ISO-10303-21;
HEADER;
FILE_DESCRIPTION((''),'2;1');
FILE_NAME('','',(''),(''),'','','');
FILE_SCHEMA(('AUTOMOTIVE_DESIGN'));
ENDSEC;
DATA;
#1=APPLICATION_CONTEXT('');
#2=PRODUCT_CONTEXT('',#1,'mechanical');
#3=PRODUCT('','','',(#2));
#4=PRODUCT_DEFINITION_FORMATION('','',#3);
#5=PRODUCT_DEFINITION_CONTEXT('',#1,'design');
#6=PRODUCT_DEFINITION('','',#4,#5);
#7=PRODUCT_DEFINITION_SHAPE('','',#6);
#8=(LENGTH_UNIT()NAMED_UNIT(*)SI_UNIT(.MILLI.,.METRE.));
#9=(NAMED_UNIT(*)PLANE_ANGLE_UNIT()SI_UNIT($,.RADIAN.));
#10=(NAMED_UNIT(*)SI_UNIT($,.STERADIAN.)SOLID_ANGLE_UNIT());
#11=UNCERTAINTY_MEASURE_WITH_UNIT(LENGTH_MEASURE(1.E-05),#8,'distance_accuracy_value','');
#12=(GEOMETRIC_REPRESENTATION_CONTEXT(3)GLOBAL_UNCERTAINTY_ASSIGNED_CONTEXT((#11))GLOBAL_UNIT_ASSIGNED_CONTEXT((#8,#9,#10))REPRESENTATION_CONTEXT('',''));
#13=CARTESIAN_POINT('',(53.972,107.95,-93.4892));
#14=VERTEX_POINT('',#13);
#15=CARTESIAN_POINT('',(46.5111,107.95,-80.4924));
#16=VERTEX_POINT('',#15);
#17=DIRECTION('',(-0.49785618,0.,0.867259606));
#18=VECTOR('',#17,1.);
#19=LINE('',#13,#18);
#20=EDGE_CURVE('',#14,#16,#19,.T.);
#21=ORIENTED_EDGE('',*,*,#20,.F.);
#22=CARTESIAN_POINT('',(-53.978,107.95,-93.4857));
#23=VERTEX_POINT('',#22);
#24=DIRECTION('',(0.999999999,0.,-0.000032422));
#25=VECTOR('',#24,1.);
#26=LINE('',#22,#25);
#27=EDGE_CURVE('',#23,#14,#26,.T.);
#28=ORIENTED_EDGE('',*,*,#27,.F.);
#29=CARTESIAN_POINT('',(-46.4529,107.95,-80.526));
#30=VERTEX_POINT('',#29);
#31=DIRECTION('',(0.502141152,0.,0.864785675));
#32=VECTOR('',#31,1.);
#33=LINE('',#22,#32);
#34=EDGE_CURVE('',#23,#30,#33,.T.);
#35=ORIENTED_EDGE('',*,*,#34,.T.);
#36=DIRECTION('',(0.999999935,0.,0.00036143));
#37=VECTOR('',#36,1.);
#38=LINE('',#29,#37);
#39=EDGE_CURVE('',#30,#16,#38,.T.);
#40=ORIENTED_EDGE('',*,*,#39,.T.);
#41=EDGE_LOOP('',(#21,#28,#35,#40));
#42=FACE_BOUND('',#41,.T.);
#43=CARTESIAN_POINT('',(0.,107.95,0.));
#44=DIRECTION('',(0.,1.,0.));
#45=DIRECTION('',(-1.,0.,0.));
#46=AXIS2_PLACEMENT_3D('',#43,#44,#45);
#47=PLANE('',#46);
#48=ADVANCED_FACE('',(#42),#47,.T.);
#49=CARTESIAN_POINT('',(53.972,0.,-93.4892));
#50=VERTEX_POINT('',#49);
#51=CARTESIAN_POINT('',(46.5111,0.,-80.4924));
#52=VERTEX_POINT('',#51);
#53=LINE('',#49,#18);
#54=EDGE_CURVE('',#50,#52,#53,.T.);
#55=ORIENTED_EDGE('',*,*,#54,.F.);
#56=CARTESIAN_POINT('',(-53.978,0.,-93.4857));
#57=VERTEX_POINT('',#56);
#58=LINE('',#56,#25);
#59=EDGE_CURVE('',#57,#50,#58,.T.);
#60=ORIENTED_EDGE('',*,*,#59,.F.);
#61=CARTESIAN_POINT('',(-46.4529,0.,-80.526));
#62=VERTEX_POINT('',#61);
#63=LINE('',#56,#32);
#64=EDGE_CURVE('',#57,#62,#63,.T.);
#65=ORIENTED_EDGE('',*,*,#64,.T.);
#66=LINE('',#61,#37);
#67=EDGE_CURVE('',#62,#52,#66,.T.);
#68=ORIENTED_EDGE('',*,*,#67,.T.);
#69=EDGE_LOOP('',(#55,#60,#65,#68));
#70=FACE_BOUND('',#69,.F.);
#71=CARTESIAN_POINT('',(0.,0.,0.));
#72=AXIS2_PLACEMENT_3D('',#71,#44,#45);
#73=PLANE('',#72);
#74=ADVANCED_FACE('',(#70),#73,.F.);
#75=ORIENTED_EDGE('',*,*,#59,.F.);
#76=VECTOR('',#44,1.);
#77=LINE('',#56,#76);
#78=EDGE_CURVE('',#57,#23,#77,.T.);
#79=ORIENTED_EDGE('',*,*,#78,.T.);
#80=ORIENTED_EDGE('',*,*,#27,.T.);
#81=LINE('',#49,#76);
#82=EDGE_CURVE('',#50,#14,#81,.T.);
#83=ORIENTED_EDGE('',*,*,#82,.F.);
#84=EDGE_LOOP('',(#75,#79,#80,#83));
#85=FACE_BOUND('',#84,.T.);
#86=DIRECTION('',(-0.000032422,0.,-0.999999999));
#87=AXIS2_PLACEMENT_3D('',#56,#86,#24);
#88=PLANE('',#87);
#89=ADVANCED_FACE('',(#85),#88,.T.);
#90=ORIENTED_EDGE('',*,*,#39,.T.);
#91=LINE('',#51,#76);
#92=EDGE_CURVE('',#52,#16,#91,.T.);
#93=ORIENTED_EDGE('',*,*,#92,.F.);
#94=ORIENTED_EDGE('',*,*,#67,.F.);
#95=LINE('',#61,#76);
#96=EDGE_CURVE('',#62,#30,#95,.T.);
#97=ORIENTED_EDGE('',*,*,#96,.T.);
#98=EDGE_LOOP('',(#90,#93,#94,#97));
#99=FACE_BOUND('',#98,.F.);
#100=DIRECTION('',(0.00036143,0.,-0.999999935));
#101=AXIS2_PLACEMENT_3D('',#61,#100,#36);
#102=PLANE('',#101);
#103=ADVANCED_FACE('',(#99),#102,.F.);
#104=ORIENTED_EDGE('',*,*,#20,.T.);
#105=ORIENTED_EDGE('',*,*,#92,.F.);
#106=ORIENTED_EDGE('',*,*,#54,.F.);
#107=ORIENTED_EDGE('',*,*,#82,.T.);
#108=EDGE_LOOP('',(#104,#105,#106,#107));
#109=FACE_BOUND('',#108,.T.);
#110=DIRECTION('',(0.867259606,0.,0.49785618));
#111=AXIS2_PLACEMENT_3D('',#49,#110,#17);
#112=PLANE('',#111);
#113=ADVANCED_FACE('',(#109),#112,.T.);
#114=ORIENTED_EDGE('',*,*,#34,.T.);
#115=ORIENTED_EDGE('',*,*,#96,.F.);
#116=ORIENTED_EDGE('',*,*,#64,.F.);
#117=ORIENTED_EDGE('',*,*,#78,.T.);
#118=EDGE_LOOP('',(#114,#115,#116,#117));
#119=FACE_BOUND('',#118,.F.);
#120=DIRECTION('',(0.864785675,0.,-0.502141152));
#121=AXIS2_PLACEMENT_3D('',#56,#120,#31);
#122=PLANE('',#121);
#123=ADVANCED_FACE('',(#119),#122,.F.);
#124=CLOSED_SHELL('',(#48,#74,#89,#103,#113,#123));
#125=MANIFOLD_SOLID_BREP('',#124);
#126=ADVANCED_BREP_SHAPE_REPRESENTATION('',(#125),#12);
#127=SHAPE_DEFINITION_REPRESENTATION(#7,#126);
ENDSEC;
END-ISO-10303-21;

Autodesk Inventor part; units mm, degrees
ref_plane "YZ Plane" through (0, 0, 0) normal (1, 0, 0) x (0, 1, 0)
ref_plane "XZ Plane" through (0, 0, 0) normal (0, 1, 0) x (-1, 0, 0)
ref_plane "XY Plane" through (0, 0, 0) normal (0, 0, 1) x (1, 0, 0)
sketch "Sketch1" plane through (0, 0, 0) normal (0, 1, 0) x (-1, 0, 0)
  line L0 (-107.95, -0.0035) -> (-53.978, 93.4857)
  line L1 (-53.978, 93.4857) -> (53.972, 93.4892)
  line L2 (53.972, 93.4892) -> (107.95, 0.0035)
  line L3 (107.95, 0.0035) -> (53.978, -93.4857)
  line L4 (53.978, -93.4857) -> (-53.972, -93.4892)
  line L5 (-53.972, -93.4892) -> (-107.95, -0.0035)
  line L6 (-92.964, 0.0336) -> (-46.4529, 80.526)
  line L7 (-46.4529, 80.526) -> (46.5111, 80.4924)
  line L8 (46.5111, 80.4924) -> (92.964, -0.0336)
  line L9 (92.964, -0.0336) -> (46.4529, -80.526)
  line L10 (46.4529, -80.526) -> (-46.5111, -80.4924)
  line L11 (-46.5111, -80.4924) -> (-92.964, 0.0336)
  line L12 (53.978, -93.4857) -> (46.4529, -80.526)
  line L13 (-53.972, -93.4892) -> (-46.5111, -80.4924)
  point P0 (0, 0)
  point P1 (0, 0)
  point P2 (0, 0)
  point P3 (0, 0)
  dimension "d0" = 215.9
  dimension "d1" = 14.986
extrude "Extrusion1" add sketch "Sketch1" along normal blind 107.95 contours L13 L10 L12 L4
properties part number "SatelliteSideWallFilled_v2"
